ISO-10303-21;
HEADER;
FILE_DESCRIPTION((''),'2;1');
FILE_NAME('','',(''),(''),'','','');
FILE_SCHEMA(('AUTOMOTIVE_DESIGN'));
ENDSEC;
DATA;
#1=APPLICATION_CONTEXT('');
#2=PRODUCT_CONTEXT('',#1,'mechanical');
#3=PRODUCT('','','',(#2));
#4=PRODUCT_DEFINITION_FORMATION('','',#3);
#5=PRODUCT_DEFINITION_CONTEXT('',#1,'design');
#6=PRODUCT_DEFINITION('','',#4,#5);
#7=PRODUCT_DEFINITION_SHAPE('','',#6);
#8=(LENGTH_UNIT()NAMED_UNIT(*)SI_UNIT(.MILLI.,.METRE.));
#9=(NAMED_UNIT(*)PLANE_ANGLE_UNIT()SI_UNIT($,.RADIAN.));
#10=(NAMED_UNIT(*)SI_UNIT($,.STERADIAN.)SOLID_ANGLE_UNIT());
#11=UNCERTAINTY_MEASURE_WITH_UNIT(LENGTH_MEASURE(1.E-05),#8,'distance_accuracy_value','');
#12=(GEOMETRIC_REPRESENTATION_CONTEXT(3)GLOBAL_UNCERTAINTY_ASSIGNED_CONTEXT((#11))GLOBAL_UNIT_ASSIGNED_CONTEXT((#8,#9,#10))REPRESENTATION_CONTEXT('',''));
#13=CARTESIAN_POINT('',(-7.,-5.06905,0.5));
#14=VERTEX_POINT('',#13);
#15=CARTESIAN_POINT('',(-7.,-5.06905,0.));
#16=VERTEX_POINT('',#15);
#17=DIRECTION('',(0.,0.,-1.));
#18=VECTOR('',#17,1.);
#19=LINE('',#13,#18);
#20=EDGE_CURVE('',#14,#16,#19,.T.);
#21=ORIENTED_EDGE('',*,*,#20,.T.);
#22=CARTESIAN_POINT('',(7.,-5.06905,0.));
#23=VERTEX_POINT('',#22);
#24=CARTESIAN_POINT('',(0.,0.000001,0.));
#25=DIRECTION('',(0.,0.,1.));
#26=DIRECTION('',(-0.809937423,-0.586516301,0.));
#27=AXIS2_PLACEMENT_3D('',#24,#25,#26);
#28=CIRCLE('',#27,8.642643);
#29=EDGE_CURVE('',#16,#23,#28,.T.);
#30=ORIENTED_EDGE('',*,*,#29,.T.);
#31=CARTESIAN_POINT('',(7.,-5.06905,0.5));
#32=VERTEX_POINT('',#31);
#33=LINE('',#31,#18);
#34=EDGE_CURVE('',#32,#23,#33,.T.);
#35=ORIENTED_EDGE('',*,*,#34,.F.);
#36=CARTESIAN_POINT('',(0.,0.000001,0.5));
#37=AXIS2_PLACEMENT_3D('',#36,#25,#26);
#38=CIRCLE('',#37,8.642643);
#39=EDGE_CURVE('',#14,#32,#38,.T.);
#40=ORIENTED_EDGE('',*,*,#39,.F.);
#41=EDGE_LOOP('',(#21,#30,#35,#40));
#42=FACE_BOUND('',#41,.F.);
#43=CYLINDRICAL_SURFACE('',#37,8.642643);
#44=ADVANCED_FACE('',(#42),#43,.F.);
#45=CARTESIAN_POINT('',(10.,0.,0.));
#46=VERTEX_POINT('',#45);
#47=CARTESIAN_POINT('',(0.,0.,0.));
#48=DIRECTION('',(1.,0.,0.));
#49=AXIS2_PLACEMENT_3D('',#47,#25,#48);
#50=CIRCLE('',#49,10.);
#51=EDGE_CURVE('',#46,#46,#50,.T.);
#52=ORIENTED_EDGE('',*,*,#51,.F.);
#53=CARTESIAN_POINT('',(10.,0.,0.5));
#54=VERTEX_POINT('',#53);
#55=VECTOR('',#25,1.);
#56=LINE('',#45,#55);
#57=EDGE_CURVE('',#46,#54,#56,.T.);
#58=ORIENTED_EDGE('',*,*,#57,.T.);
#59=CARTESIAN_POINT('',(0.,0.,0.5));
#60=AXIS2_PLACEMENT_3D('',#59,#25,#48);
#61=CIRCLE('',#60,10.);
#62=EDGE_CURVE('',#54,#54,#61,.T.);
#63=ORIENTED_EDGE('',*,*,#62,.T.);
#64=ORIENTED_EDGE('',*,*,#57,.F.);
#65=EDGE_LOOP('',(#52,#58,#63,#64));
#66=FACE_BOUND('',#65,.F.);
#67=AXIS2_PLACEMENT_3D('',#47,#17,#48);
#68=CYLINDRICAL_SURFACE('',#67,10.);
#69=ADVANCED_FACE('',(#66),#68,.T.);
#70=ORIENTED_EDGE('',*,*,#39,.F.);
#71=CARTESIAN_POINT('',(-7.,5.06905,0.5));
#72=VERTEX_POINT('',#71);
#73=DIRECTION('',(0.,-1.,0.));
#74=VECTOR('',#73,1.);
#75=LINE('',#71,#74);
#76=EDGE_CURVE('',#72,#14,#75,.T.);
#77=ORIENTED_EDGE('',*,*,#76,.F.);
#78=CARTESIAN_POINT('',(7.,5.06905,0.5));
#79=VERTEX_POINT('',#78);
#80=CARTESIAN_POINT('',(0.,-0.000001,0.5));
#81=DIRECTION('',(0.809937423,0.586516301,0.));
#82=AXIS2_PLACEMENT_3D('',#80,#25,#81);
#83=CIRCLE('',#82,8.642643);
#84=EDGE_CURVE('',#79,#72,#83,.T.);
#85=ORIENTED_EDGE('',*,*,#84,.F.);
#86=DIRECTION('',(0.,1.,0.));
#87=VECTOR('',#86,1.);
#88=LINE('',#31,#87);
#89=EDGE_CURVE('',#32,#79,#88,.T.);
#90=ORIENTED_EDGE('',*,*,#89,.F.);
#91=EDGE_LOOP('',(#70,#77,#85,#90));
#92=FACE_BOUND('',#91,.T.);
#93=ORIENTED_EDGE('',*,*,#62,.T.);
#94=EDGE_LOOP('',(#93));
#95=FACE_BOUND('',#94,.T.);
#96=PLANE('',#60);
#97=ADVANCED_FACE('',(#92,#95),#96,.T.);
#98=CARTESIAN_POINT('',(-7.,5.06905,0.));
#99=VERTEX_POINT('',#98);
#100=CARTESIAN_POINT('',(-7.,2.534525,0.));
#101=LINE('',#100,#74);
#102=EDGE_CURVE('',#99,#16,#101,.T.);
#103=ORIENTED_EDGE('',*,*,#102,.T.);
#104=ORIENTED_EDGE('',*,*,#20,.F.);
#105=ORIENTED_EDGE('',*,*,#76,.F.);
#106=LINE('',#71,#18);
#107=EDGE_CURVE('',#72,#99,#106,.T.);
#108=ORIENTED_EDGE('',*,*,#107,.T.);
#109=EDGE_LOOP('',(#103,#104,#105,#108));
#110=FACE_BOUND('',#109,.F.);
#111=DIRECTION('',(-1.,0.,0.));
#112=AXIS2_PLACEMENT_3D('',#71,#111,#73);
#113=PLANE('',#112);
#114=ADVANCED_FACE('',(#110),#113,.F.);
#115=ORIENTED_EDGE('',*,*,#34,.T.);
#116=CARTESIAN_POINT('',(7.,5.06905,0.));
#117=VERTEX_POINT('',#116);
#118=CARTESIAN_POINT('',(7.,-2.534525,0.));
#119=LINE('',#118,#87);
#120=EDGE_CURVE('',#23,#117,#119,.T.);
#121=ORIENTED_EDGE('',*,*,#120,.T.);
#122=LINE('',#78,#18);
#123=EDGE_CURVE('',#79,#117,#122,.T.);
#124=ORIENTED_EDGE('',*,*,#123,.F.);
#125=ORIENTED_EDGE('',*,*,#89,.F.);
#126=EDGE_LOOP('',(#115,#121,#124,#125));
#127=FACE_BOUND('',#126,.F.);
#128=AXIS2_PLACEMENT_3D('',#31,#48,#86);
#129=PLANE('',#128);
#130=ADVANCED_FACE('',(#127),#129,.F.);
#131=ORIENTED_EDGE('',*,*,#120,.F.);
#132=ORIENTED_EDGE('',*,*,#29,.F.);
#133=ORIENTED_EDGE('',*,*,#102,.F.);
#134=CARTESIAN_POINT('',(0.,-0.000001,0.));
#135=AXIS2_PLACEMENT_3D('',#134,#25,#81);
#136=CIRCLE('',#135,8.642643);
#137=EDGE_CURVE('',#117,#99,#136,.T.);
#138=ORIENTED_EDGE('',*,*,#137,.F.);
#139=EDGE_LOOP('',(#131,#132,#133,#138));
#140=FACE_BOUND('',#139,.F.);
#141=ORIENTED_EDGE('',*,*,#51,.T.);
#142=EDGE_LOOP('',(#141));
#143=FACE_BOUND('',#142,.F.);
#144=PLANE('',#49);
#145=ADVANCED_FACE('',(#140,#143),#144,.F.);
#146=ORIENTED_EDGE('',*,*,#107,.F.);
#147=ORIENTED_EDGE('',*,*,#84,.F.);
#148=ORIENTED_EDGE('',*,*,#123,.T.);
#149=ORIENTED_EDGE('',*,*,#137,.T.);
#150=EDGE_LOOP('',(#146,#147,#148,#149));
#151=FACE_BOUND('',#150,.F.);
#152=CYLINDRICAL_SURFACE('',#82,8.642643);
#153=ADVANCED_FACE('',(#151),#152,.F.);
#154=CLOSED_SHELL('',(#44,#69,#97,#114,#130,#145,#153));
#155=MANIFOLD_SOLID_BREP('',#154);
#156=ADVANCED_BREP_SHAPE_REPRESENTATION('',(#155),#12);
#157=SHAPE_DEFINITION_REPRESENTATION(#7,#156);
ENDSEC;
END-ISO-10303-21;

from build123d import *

# Parameters (mm, degrees)
F0_R     = 10
F1_DEPTH = 0.5
F3_DEPTH = 25


with BuildPart() as f1:
    # F0 (on Top) → F1 (new body)
    with BuildSketch(Plane.XY):
        Circle(F0_R)
    extrude(amount=F1_DEPTH)

    # F2 (on face) → F3 (cut)
    with BuildSketch(Plane.XY.offset(0.5)):
        with BuildLine():
            Line((7, -5.06905), (7, 5.06905))
            ThreePointArc((7, 5.06905), (0, 8.642642), (-7, 5.06905))
            Line((-7, 5.06905), (-7, -5.06905))
            ThreePointArc((-7, -5.06905), (0, -8.642642), (7, -5.06905))
        make_face()
    extrude(amount=-F3_DEPTH, mode=Mode.SUBTRACT)


solid = f1.part
